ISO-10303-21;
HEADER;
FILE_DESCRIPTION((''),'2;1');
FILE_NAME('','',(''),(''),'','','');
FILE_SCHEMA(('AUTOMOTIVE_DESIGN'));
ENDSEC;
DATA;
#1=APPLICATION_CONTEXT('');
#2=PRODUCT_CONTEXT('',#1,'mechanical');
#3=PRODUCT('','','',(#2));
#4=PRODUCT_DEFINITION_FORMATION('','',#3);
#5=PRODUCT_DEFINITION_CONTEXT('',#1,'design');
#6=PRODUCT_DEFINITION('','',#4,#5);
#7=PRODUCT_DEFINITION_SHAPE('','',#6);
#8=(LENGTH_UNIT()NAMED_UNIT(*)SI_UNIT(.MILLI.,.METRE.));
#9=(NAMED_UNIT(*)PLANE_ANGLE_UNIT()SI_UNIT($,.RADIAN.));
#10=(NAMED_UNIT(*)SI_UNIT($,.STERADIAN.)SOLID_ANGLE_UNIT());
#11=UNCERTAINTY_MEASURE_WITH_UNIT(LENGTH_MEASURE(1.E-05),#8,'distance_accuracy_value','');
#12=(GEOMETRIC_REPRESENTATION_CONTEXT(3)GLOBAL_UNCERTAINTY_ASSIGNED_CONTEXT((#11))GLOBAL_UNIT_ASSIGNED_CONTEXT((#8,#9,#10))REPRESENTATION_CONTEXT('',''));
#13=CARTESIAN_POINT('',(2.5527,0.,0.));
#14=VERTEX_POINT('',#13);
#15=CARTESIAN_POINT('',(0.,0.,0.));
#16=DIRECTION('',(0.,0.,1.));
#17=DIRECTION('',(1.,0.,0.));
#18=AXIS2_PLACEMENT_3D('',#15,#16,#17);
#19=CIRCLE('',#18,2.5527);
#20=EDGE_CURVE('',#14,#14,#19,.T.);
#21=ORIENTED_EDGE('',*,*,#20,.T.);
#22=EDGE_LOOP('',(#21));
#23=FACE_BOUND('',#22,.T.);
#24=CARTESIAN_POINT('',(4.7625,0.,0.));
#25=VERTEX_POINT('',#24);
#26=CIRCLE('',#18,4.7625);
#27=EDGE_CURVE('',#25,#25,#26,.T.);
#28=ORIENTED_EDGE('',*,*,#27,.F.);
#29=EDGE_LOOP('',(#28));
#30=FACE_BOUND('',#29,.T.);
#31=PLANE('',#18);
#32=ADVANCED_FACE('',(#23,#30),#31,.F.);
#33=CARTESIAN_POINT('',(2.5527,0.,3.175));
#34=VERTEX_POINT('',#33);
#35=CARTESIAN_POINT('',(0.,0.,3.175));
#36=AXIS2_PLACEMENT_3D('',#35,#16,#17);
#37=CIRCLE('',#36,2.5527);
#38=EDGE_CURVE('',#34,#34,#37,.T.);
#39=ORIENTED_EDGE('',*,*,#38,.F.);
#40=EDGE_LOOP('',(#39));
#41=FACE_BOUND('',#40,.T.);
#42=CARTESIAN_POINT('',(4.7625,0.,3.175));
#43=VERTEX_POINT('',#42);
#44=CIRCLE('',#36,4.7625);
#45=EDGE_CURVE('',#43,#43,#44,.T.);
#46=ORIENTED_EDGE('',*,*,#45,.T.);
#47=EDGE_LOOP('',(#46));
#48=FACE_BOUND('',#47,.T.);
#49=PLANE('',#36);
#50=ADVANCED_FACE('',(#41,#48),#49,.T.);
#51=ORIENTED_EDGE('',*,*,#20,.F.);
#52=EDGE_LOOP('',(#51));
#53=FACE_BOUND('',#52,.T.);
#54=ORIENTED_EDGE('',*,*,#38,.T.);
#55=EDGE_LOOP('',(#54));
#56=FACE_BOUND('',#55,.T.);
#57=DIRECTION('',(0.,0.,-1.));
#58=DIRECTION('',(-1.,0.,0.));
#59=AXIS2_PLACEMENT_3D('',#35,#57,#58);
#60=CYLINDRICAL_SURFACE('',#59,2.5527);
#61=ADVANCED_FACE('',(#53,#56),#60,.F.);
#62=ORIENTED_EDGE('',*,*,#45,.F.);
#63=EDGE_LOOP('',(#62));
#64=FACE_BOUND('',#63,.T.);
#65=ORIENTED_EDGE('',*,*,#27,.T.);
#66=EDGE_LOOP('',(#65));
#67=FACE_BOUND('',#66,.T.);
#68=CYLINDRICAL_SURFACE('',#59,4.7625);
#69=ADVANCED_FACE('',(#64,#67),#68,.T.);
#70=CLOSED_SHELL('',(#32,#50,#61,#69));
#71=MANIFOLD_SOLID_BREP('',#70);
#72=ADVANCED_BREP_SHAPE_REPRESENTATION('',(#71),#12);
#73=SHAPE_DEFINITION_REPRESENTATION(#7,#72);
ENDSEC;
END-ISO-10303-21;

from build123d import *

# Parameters (mm, degrees)
SKETCH1_R           = 4.7625
SKETCH1_R_2         = 2.5527
BOSS_EXTRUDE1_DEPTH = 3.175


with BuildPart() as part:
    # Sketch1 → Boss-Extrude1 (new body)
    with BuildSketch(Plane.XY):
        Circle(SKETCH1_R)
        Circle(SKETCH1_R_2, mode=Mode.SUBTRACT)
    extrude(amount=BOSS_EXTRUDE1_DEPTH)


solid = part.part
